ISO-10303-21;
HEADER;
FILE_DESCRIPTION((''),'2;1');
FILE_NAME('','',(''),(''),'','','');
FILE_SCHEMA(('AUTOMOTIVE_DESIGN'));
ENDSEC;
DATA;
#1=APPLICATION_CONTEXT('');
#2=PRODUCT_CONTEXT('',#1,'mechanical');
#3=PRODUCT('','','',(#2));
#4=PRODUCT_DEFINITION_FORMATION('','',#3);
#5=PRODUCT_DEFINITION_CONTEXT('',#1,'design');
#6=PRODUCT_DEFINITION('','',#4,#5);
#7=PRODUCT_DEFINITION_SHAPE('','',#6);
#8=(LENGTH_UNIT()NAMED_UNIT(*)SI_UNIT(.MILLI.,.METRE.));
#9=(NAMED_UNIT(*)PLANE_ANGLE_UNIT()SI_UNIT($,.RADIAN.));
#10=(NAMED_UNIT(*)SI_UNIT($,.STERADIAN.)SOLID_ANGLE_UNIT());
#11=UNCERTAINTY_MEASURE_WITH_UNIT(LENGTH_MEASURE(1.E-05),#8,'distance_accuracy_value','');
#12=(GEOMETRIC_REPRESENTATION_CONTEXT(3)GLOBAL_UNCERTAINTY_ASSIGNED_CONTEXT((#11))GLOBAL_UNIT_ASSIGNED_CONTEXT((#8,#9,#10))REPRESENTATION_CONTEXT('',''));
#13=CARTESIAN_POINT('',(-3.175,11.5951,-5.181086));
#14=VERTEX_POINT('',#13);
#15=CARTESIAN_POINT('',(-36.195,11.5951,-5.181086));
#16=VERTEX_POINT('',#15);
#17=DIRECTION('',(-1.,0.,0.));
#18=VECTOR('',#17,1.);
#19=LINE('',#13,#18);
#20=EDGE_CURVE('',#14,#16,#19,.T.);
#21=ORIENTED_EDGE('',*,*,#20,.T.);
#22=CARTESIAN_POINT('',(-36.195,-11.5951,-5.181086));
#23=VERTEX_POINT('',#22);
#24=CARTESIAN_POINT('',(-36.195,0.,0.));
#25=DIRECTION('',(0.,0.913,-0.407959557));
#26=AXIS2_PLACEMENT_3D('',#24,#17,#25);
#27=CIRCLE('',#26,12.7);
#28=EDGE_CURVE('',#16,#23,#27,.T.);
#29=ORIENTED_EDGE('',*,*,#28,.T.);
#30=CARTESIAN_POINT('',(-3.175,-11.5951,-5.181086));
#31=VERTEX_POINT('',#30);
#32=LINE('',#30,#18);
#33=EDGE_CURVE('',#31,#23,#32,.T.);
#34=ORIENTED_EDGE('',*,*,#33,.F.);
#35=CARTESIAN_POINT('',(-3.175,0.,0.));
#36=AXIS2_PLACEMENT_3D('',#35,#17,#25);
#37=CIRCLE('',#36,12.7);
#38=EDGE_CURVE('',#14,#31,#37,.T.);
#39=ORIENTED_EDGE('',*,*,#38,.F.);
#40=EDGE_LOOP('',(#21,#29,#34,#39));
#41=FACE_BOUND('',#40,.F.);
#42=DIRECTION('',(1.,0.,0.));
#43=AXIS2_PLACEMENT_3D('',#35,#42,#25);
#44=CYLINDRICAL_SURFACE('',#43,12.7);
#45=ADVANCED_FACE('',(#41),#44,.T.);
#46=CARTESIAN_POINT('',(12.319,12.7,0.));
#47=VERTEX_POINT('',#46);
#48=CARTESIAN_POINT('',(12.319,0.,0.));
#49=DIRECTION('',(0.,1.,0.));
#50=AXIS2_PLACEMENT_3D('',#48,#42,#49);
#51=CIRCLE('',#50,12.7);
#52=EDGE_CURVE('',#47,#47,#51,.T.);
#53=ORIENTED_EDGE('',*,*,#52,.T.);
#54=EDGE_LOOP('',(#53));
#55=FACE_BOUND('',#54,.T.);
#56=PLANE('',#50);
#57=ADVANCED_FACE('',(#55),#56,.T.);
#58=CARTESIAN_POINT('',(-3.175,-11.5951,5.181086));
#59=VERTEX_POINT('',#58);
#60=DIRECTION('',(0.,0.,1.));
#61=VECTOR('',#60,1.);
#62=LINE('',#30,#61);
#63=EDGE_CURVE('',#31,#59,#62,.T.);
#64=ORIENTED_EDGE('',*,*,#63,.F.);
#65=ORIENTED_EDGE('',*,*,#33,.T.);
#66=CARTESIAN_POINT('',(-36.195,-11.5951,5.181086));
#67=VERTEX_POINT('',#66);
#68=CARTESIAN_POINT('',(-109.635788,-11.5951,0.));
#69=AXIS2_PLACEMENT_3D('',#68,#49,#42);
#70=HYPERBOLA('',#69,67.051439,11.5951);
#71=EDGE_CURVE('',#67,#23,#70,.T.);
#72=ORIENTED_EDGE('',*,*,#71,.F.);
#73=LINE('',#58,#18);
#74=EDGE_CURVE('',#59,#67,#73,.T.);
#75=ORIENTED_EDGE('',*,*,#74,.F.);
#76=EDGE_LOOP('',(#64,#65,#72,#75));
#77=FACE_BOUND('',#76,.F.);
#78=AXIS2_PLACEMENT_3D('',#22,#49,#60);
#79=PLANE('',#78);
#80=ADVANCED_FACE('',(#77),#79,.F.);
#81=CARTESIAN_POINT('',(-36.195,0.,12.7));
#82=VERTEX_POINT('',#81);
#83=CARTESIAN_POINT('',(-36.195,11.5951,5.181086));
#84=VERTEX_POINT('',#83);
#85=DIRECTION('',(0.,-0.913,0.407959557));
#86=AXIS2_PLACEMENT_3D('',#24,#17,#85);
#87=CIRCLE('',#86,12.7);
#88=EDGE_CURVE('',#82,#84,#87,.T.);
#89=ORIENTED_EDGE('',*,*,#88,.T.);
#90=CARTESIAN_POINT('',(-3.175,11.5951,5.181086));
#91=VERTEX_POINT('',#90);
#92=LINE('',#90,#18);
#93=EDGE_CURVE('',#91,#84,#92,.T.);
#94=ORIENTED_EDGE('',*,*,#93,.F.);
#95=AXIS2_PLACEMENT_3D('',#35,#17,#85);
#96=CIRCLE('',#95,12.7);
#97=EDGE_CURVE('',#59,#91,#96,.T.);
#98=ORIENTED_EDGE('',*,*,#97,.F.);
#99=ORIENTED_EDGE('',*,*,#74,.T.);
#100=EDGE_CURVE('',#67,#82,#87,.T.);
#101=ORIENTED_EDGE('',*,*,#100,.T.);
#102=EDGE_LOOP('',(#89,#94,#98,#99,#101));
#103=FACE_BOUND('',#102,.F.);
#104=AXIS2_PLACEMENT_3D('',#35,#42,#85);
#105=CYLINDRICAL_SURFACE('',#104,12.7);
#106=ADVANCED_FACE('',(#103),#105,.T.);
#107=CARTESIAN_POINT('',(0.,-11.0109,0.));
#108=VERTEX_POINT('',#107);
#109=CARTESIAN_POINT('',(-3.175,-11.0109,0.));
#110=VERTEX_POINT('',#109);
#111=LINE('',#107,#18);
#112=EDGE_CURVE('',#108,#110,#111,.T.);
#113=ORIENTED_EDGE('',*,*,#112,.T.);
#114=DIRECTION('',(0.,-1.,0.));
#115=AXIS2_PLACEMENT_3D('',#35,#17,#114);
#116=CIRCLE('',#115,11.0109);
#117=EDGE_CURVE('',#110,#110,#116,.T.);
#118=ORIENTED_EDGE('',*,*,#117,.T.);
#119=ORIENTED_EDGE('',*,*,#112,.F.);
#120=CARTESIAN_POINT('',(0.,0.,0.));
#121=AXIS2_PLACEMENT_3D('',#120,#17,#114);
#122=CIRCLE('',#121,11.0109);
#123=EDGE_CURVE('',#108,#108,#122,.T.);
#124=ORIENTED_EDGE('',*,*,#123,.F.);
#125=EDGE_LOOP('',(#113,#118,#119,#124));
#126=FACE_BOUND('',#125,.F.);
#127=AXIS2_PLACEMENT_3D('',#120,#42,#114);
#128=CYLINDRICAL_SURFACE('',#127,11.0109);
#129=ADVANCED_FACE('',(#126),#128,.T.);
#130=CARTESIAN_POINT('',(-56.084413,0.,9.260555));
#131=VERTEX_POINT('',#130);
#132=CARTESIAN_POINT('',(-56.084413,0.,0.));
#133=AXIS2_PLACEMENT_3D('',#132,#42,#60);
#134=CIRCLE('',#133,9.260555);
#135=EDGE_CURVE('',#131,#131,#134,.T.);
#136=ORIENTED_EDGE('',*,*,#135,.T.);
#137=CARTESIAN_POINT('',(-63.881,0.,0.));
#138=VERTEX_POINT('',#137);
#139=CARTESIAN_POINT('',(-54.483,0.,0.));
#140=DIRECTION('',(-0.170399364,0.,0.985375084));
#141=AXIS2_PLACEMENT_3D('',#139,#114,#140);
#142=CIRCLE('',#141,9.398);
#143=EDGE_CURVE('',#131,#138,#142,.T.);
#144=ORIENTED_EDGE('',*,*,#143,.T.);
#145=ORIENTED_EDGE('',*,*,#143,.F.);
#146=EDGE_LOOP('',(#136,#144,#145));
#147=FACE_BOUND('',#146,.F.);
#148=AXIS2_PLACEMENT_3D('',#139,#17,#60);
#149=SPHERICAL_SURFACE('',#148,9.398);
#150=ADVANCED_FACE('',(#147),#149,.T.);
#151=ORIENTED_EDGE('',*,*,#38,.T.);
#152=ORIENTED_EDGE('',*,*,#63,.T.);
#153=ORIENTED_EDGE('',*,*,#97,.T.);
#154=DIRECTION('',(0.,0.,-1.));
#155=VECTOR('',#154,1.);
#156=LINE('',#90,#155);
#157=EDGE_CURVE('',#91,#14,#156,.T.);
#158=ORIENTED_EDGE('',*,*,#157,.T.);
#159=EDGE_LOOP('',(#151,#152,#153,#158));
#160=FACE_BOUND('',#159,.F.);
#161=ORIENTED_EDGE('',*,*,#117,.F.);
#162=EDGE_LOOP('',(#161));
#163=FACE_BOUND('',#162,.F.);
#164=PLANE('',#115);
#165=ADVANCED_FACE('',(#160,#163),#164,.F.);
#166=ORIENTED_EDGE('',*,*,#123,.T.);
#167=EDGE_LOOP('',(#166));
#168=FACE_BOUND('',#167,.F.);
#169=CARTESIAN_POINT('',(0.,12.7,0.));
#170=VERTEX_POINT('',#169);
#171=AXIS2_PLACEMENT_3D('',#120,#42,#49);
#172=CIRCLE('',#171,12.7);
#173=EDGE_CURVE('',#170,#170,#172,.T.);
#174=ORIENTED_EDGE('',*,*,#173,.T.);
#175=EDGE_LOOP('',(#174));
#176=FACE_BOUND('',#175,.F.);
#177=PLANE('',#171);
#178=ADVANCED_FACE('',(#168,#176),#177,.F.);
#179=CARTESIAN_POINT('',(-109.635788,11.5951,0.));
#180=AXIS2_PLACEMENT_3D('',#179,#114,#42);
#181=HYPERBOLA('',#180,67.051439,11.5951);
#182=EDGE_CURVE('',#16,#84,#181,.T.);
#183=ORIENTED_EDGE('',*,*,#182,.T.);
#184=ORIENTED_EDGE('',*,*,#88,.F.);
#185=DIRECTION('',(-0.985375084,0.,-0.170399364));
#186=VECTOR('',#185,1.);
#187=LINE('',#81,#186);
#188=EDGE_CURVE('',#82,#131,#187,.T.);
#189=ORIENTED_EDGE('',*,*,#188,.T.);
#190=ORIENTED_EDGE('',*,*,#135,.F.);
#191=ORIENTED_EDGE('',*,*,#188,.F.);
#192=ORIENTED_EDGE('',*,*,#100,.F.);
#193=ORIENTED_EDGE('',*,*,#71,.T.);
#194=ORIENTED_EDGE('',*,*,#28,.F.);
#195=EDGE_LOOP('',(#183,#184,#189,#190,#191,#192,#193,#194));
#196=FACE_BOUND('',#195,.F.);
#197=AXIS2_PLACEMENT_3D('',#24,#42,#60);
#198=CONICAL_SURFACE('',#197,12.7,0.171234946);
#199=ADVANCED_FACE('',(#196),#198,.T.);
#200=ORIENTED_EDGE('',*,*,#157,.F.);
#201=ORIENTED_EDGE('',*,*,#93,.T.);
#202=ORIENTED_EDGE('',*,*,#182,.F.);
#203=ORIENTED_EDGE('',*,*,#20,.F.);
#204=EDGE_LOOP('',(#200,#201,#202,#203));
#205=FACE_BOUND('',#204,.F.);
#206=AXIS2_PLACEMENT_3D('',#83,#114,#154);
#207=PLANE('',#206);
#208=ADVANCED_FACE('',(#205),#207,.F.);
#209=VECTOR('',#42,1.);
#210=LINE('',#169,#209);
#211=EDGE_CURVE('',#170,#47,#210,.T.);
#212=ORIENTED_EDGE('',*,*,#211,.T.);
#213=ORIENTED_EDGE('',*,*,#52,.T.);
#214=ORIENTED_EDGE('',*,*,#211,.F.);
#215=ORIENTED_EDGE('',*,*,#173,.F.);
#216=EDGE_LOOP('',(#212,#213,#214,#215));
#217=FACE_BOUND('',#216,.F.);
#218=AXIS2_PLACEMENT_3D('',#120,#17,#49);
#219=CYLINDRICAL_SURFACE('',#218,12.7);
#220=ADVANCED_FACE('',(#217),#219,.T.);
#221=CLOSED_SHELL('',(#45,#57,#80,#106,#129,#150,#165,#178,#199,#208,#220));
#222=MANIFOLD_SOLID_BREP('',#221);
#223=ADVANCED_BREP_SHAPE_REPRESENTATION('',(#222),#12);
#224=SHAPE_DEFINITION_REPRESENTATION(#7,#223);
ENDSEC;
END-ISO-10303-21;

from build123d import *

# Parameters (mm, degrees)
F0_R      = 12.7
F1_DEPTH  = 12.319
F2_R      = 11.0109
F3_DEPTH  = 3.175
F5_DEPTH  = 33.02
F9_DEPTH  = 25.4
F10_DEPTH = 25.4


with BuildPart() as f1:
    # F0 (on Right) → F1 (new body)
    with BuildSketch(Plane.YZ):
        Circle(F0_R)
    extrude(amount=F1_DEPTH)

    # F2 (on face) → F3 (join)
    with BuildSketch(Plane(origin=(0, 0, 0), x_dir=(0, -1, 0), z_dir=(-1, 0, 0))):
        Circle(F2_R)
    extrude(amount=F3_DEPTH)

    # F4 (on face) → F5 (join)
    with BuildSketch(Plane(origin=(-3.175, 0, 0), x_dir=(0, -1, 0), z_dir=(-1, 0, 0))):
        with BuildLine():
            Line((-11.5951, 5.1810863716), (-11.5951, -5.1810863716))
            ThreePointArc((-11.5951, -5.1810863716), (0, -12.7), (11.5951, -5.1810863716))
            Line((11.5951, -5.1810863716), (11.5951, 5.1810863716))
            ThreePointArc((11.5951, 5.1810863716), (0, 12.7), (-11.5951, 5.1810863716))
        make_face()
    extrude(amount=F5_DEPTH)

    # F6 (on Front) → F7 (revolve)
    with BuildSketch(Plane.XZ):
        with BuildLine():
            Line((-36.195, 12.7), (-56.0844132237, 9.2605550421))
            ThreePointArc((-56.0844132237, 9.2605550421), (-61.6723144832, 6.0527812832), (-63.881, 0))
            Line((-63.881, 0), (-36.195, 0))
            Line((-36.195, 0), (-36.195, 12.7))
        make_face()
    revolve(axis=Axis((-50.038, 0, 0), (1, 0, 0)))

    # F8 (on face) → F9 (cut)
    with BuildSketch(Plane.YZ.offset(-36.195)):
        with BuildLine():
            Line((-11.5951, -5.1810863716), (-11.5951, 5.1810863716))
            ThreePointArc((-11.5951, 5.1810863716), (-12.7, 0), (-11.5951, -5.1810863716))
        make_face()
    extrude(amount=-F9_DEPTH, mode=Mode.SUBTRACT)

    # F10 (cut): a face of the model
    f10_faces = [f1.faces().sort_by_distance(p)[0] for p in [
        (-36.195, 12.0387504501, 0),
    ]]
    extrude(f10_faces, amount=-F10_DEPTH, mode=Mode.SUBTRACT)


solid = f1.part
